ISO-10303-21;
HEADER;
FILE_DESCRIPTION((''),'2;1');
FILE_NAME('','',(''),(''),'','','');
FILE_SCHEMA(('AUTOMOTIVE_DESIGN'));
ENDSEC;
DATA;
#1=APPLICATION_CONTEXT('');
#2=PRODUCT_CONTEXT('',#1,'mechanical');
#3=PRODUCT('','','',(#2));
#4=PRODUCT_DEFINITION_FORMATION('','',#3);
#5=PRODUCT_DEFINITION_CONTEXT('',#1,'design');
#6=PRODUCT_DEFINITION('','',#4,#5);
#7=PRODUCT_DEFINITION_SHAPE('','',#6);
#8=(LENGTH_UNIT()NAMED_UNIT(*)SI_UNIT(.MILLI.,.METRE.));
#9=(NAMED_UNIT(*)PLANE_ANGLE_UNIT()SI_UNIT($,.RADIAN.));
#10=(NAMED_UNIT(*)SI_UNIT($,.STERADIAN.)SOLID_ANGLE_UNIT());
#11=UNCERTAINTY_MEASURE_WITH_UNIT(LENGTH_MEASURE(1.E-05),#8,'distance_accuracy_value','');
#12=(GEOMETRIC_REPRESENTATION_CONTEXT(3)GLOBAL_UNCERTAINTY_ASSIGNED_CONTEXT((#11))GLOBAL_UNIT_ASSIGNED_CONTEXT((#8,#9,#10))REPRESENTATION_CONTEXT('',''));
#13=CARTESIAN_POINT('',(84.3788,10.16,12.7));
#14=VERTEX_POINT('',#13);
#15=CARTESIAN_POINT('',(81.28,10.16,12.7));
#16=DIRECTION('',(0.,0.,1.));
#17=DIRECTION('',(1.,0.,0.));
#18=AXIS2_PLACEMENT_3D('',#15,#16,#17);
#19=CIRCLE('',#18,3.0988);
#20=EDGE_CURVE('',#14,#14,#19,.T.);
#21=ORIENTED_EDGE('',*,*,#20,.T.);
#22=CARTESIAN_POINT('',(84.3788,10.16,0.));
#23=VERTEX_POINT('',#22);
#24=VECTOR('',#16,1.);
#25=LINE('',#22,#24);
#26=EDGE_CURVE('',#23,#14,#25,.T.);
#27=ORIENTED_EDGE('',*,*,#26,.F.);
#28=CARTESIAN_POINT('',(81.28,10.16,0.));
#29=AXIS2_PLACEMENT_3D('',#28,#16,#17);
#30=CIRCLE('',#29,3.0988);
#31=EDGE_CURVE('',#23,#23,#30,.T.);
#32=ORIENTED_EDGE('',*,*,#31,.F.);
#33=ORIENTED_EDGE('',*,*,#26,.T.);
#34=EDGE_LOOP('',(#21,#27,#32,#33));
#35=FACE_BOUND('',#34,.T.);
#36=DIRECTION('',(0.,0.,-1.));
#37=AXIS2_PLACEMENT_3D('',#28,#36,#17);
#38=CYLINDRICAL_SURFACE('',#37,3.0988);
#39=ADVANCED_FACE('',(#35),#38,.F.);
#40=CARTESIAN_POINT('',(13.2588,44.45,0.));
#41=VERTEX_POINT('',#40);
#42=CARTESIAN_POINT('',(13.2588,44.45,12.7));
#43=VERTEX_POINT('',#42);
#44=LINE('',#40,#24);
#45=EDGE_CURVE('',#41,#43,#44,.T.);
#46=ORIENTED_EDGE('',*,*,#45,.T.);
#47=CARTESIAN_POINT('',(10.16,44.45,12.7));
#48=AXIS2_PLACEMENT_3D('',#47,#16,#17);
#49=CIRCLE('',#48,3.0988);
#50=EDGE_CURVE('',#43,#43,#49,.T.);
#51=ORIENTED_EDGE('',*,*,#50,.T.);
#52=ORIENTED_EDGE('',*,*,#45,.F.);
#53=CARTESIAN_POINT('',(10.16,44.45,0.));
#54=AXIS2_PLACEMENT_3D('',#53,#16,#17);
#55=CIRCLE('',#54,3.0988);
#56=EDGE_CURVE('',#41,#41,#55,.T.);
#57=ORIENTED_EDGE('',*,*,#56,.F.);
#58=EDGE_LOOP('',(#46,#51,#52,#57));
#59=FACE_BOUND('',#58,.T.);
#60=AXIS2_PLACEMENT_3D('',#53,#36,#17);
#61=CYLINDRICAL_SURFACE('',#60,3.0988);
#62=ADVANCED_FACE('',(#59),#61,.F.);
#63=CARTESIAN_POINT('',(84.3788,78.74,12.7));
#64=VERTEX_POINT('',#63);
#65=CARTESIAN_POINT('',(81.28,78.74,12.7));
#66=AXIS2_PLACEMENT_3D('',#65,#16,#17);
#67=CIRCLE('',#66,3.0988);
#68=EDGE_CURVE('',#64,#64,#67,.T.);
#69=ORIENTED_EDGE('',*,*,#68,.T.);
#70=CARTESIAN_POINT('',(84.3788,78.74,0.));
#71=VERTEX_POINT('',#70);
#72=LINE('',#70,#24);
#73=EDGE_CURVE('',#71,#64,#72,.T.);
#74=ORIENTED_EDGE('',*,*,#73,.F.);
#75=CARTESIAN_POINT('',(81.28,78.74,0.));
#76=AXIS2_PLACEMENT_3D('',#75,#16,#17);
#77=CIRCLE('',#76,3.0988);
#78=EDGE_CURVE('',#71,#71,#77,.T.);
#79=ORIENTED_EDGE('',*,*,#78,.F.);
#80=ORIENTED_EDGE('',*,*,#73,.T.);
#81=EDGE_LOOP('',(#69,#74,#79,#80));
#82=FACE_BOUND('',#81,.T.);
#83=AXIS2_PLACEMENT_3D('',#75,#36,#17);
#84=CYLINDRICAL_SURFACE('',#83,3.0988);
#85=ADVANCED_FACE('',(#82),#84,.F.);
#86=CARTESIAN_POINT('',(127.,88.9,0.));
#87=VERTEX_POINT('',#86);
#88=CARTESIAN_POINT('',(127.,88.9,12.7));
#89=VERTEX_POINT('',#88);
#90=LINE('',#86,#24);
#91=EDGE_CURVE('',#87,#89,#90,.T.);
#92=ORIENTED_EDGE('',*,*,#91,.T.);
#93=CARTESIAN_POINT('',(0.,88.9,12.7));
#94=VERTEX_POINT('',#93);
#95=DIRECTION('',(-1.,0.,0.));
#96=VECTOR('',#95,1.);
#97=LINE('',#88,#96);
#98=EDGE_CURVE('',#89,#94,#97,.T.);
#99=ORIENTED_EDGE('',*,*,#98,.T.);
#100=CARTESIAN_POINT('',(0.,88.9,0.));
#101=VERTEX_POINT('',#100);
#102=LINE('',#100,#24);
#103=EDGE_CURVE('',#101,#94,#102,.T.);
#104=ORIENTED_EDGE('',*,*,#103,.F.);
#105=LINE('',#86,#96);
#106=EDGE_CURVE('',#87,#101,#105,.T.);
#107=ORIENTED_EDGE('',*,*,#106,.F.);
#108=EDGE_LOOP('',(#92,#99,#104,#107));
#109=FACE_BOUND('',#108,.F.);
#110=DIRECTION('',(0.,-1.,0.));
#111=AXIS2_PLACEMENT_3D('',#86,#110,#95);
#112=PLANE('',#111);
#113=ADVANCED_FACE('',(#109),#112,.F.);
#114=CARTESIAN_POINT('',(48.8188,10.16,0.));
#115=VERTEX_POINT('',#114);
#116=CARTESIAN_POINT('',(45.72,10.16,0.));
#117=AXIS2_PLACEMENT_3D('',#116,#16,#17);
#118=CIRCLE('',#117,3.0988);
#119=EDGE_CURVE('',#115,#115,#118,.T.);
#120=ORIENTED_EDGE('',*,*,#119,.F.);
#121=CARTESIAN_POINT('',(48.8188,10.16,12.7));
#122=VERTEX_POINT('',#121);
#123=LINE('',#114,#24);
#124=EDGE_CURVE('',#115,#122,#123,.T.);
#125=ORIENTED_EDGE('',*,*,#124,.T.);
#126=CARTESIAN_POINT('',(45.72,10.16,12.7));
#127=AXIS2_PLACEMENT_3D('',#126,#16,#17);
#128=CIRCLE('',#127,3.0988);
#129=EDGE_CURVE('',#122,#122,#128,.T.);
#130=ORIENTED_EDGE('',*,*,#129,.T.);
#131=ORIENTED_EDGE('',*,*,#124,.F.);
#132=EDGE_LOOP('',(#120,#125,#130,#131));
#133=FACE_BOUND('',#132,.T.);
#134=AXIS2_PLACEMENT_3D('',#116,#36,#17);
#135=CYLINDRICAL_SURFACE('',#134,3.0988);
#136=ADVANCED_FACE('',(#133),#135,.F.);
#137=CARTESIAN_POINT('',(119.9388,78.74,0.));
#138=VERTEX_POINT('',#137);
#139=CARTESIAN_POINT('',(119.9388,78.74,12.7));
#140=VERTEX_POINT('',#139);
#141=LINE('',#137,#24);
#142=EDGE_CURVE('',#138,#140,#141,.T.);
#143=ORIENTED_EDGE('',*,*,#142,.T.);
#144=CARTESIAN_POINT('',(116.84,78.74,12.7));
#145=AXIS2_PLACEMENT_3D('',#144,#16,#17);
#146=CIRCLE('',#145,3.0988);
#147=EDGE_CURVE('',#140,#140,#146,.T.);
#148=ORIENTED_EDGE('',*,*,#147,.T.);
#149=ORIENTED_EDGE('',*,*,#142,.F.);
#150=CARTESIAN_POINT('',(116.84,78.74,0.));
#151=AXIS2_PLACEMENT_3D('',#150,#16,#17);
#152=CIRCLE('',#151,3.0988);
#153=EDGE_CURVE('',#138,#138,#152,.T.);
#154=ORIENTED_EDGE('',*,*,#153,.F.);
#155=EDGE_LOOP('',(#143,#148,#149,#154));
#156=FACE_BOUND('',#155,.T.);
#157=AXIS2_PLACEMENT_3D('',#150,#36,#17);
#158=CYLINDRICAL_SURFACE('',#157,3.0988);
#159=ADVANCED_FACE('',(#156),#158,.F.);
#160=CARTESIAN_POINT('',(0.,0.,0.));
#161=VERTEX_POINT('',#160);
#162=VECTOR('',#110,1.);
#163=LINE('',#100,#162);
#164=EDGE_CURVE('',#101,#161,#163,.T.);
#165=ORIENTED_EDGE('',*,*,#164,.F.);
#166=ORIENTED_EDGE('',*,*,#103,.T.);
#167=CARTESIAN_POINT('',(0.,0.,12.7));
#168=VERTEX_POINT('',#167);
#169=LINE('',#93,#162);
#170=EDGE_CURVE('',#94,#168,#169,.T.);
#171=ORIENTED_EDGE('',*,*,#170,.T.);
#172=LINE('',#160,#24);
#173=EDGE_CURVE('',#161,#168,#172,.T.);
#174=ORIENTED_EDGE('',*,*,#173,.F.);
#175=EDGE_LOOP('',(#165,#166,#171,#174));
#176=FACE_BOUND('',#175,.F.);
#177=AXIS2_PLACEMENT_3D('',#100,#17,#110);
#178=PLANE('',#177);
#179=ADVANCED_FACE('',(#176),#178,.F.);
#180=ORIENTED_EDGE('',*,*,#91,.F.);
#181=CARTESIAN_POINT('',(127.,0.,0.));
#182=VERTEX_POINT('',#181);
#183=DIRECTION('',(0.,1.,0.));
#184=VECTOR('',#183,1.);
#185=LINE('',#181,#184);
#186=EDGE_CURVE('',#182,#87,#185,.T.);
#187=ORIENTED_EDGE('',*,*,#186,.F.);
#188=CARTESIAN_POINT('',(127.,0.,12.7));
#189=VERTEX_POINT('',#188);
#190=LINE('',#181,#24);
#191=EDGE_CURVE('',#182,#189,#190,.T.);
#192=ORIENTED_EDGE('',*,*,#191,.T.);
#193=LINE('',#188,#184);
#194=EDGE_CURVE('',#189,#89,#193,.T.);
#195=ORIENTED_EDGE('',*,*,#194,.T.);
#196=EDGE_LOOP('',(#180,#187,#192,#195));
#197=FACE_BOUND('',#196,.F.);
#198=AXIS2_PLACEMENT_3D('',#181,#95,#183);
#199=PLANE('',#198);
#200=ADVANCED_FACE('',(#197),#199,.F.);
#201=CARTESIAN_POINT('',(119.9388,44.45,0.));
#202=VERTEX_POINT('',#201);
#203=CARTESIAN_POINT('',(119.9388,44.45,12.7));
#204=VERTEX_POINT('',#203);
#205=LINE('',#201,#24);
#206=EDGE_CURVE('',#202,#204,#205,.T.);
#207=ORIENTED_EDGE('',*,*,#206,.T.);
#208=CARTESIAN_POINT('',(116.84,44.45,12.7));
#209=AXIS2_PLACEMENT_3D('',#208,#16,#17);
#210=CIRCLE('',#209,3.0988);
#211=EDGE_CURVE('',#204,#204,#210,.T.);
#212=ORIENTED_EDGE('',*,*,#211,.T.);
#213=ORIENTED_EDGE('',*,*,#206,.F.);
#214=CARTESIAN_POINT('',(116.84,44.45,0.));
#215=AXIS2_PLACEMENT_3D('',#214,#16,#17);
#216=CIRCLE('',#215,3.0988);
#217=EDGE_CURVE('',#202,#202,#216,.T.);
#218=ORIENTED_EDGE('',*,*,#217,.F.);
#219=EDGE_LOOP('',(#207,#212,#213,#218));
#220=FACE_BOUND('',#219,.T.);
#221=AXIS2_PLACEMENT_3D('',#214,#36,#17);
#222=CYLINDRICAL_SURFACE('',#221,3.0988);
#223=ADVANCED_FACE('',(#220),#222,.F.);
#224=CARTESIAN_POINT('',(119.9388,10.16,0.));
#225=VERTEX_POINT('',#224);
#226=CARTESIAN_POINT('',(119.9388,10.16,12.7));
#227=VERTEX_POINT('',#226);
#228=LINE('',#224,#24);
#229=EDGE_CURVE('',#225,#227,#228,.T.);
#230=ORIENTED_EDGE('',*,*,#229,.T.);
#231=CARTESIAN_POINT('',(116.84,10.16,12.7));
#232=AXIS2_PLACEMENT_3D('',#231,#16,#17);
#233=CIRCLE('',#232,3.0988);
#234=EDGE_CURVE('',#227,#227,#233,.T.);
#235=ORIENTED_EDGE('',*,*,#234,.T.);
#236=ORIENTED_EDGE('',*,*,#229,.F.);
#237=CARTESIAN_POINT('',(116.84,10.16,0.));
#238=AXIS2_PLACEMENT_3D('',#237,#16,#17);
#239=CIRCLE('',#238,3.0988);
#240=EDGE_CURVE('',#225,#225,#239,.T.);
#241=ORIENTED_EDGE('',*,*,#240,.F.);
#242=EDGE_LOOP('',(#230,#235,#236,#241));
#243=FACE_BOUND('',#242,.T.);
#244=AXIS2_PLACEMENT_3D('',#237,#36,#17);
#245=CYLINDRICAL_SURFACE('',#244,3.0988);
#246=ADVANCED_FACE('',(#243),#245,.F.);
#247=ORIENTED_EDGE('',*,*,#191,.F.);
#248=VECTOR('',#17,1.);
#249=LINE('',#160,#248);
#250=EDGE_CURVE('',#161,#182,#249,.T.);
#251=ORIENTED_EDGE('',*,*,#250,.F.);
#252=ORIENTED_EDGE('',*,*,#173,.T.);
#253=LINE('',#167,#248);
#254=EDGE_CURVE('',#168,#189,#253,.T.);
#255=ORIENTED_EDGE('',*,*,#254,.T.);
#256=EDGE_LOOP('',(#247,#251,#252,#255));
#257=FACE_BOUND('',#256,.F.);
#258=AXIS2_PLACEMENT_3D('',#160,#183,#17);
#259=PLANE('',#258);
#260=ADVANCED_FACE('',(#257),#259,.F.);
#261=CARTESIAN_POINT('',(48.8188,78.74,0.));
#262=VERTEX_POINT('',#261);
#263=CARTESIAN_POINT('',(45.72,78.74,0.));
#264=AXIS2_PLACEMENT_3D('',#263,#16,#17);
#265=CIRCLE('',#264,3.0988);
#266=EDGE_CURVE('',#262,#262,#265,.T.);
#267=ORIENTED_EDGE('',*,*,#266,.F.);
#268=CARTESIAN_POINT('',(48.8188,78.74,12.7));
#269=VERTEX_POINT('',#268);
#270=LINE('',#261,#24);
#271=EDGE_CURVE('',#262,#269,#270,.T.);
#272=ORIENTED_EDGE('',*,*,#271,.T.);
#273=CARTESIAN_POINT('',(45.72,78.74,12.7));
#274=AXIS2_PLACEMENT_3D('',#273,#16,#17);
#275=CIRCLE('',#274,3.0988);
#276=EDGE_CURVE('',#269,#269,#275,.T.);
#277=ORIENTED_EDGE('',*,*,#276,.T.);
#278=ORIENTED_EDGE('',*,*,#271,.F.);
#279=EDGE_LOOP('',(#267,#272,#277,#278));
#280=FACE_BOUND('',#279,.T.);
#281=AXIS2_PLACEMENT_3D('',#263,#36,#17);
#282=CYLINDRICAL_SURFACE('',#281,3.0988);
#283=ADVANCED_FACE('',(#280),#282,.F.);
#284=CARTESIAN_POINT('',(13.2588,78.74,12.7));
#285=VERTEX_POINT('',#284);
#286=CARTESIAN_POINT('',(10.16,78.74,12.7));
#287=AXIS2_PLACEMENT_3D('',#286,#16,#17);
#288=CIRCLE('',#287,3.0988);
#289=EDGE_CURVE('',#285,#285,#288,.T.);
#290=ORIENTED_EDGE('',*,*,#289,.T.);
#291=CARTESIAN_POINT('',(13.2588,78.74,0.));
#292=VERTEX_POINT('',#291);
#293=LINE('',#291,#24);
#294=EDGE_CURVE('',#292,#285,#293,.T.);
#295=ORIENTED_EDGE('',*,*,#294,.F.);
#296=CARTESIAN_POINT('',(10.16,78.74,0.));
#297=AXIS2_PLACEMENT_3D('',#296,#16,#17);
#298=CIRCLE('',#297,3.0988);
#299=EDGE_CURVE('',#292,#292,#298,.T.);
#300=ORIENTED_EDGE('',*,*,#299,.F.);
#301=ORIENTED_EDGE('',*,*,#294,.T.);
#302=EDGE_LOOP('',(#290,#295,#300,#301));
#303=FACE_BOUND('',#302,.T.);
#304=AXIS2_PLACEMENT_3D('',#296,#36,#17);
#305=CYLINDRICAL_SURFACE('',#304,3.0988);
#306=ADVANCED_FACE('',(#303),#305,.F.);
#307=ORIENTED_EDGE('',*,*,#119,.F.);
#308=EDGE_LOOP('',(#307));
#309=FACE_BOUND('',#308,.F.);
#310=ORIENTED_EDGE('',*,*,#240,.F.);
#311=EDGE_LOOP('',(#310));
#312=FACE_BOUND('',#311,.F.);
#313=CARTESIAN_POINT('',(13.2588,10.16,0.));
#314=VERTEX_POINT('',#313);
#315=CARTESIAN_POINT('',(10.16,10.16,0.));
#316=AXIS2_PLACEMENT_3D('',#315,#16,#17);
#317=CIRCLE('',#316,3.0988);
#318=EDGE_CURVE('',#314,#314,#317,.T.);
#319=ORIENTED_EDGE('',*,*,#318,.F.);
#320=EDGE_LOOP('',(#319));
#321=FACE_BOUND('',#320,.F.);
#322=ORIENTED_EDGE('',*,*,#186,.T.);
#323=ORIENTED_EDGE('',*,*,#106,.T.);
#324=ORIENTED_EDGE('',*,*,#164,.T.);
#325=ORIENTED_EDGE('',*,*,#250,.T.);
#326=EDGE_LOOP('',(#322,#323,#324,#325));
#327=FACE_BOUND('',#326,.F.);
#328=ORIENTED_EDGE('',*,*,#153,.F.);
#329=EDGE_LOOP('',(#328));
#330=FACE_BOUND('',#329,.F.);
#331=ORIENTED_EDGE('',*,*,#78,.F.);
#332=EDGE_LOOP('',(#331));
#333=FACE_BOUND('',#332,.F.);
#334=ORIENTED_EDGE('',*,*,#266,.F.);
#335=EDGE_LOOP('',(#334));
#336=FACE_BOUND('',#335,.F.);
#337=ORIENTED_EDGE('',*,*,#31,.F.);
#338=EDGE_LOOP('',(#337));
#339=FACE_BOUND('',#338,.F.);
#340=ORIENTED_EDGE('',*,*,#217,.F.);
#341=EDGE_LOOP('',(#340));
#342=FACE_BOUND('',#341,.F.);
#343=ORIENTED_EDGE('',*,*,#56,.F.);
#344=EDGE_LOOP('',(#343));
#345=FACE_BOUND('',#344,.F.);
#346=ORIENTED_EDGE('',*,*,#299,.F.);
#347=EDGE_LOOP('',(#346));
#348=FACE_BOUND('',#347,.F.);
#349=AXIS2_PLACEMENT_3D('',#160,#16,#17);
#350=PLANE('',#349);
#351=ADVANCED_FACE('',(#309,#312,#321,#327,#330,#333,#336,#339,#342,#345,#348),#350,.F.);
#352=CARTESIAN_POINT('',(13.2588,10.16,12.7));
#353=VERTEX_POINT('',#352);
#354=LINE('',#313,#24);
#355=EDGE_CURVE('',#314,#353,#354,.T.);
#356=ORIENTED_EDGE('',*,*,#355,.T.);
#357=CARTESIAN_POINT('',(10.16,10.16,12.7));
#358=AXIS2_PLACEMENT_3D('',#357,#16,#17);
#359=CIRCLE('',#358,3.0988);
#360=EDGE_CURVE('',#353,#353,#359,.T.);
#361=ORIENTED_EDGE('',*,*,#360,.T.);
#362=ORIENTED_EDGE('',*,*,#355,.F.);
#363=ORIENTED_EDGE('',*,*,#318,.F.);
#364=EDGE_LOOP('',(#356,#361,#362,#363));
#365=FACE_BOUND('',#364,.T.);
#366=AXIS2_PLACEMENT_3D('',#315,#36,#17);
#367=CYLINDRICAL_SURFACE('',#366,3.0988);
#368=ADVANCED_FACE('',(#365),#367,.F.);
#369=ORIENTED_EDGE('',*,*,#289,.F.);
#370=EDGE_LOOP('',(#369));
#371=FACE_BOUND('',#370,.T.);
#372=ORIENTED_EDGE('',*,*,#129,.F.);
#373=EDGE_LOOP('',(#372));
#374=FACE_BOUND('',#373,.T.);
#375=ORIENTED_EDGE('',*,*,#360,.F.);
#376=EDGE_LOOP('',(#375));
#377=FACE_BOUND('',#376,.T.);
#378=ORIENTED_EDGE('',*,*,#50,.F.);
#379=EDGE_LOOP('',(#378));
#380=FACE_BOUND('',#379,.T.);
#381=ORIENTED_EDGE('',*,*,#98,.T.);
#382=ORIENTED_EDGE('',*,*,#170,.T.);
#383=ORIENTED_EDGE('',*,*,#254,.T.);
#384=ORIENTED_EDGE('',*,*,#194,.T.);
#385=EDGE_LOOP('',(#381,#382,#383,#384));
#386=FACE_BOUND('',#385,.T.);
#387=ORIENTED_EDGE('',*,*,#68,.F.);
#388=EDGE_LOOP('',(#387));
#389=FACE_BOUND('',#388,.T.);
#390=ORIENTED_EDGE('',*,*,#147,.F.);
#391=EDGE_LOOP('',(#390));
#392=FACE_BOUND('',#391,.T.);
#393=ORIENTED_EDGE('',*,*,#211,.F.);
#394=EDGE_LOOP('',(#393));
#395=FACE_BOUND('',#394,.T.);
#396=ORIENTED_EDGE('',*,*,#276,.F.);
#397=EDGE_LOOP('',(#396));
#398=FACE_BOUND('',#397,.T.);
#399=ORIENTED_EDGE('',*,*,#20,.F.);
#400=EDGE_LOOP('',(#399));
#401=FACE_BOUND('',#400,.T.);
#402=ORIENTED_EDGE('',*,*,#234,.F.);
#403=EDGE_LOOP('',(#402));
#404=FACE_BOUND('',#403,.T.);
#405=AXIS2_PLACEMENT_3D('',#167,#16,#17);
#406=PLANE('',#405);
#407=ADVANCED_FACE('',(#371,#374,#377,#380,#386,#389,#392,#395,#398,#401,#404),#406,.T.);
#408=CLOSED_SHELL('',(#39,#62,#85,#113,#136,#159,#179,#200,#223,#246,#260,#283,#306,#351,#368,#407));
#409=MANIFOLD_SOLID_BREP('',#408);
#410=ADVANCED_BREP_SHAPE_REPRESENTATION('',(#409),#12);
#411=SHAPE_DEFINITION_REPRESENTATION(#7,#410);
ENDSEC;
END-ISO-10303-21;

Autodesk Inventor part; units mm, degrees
ref_plane "YZ Plane" through (0, 0, 0) normal (1, 0, 0) x (0, 1, 0)
ref_plane "XZ Plane" through (0, 0, 0) normal (0, 1, 0) x (-1, 0, 0)
ref_plane "XY Plane" through (0, 0, 0) normal (0, 0, 1) x (1, 0, 0)
sketch "Sketch1" plane through (0, 0, 0) normal (0, 0, 1) x (1, 0, 0)
  line L0 (0, 0) -> (127, 0)
  line L1 (127, 0) -> (127, 88.9)
  line L2 (127, 88.9) -> (0, 88.9)
  line L3 (0, 88.9) -> (0, 0)
  circle A0 centre (10.16, 78.74) radius 3.0988
  circle A1 centre (10.16, 44.45) radius 3.0988
  circle A2 centre (10.16, 10.16) radius 3.0988
  circle A3 centre (45.72, 10.16) radius 3.0988
  circle A4 centre (116.84, 10.16) radius 3.0988
  circle A5 centre (116.84, 44.45) radius 3.0988
  circle A6 centre (116.84, 78.74) radius 3.0988
  circle A7 centre (45.72, 78.74) radius 3.0988
  circle A8 centre (81.28, 10.16) radius 3.0988
  circle A9 centre (81.28, 78.74) radius 3.0988
  dimension "d0" = 127
  dimension "d1" = 88.9
  dimension "d3" = 6.1976
  dimension "d4" = 10.16
  dimension "d5" = 10.16
  dimension "d6" = 10.16
  dimension "d7" = 10.16
  dimension "d8" = 44.45
  dimension "d10" = 10.16
  dimension "d11" = 10.16
  dimension "d12" = 10.16
  dimension "d13" = 10.16
  dimension "d14" = 44.45
  dimension "d15" = 10.16
  dimension "d16" = 10.16
  dimension "d17" = 10.16
  dimension "d18" = 10.16
  dimension "d42" = 35.56
  dimension "d43" = 35.56
  dimension "d44" = 35.56
  dimension "d46" = 35.56
  dimension "d47" = 35.56
  dimension "d49" = 35.56
extrude "Extrusion1" add sketch "Sketch1" along normal blind 12.7
equation "\"d6\" = d5"
equation "\"d7\" = d4"
equation "\"d8\" = 0.5 * d1"
equation "\"d10\" = d4"
equation "\"d11\" = d5"
equation "\"d12\" = d4"
equation "\"d13\" = d5"
equation "\"d14\" = 0.5 * d1"
equation "\"d15\" = d13"
equation "\"d16\" = d12"
equation "\"d17\" = d13"
equation "\"d18\" = d16"
equation "\"d43\" = d42"
equation "\"d44\" = d43"
equation "\"d46\" = d42"
equation "\"d47\" = d46"
equation "\"d49\" = d46"
properties part number "Acrylic Front" material "Polycarbonate, Smoke"
